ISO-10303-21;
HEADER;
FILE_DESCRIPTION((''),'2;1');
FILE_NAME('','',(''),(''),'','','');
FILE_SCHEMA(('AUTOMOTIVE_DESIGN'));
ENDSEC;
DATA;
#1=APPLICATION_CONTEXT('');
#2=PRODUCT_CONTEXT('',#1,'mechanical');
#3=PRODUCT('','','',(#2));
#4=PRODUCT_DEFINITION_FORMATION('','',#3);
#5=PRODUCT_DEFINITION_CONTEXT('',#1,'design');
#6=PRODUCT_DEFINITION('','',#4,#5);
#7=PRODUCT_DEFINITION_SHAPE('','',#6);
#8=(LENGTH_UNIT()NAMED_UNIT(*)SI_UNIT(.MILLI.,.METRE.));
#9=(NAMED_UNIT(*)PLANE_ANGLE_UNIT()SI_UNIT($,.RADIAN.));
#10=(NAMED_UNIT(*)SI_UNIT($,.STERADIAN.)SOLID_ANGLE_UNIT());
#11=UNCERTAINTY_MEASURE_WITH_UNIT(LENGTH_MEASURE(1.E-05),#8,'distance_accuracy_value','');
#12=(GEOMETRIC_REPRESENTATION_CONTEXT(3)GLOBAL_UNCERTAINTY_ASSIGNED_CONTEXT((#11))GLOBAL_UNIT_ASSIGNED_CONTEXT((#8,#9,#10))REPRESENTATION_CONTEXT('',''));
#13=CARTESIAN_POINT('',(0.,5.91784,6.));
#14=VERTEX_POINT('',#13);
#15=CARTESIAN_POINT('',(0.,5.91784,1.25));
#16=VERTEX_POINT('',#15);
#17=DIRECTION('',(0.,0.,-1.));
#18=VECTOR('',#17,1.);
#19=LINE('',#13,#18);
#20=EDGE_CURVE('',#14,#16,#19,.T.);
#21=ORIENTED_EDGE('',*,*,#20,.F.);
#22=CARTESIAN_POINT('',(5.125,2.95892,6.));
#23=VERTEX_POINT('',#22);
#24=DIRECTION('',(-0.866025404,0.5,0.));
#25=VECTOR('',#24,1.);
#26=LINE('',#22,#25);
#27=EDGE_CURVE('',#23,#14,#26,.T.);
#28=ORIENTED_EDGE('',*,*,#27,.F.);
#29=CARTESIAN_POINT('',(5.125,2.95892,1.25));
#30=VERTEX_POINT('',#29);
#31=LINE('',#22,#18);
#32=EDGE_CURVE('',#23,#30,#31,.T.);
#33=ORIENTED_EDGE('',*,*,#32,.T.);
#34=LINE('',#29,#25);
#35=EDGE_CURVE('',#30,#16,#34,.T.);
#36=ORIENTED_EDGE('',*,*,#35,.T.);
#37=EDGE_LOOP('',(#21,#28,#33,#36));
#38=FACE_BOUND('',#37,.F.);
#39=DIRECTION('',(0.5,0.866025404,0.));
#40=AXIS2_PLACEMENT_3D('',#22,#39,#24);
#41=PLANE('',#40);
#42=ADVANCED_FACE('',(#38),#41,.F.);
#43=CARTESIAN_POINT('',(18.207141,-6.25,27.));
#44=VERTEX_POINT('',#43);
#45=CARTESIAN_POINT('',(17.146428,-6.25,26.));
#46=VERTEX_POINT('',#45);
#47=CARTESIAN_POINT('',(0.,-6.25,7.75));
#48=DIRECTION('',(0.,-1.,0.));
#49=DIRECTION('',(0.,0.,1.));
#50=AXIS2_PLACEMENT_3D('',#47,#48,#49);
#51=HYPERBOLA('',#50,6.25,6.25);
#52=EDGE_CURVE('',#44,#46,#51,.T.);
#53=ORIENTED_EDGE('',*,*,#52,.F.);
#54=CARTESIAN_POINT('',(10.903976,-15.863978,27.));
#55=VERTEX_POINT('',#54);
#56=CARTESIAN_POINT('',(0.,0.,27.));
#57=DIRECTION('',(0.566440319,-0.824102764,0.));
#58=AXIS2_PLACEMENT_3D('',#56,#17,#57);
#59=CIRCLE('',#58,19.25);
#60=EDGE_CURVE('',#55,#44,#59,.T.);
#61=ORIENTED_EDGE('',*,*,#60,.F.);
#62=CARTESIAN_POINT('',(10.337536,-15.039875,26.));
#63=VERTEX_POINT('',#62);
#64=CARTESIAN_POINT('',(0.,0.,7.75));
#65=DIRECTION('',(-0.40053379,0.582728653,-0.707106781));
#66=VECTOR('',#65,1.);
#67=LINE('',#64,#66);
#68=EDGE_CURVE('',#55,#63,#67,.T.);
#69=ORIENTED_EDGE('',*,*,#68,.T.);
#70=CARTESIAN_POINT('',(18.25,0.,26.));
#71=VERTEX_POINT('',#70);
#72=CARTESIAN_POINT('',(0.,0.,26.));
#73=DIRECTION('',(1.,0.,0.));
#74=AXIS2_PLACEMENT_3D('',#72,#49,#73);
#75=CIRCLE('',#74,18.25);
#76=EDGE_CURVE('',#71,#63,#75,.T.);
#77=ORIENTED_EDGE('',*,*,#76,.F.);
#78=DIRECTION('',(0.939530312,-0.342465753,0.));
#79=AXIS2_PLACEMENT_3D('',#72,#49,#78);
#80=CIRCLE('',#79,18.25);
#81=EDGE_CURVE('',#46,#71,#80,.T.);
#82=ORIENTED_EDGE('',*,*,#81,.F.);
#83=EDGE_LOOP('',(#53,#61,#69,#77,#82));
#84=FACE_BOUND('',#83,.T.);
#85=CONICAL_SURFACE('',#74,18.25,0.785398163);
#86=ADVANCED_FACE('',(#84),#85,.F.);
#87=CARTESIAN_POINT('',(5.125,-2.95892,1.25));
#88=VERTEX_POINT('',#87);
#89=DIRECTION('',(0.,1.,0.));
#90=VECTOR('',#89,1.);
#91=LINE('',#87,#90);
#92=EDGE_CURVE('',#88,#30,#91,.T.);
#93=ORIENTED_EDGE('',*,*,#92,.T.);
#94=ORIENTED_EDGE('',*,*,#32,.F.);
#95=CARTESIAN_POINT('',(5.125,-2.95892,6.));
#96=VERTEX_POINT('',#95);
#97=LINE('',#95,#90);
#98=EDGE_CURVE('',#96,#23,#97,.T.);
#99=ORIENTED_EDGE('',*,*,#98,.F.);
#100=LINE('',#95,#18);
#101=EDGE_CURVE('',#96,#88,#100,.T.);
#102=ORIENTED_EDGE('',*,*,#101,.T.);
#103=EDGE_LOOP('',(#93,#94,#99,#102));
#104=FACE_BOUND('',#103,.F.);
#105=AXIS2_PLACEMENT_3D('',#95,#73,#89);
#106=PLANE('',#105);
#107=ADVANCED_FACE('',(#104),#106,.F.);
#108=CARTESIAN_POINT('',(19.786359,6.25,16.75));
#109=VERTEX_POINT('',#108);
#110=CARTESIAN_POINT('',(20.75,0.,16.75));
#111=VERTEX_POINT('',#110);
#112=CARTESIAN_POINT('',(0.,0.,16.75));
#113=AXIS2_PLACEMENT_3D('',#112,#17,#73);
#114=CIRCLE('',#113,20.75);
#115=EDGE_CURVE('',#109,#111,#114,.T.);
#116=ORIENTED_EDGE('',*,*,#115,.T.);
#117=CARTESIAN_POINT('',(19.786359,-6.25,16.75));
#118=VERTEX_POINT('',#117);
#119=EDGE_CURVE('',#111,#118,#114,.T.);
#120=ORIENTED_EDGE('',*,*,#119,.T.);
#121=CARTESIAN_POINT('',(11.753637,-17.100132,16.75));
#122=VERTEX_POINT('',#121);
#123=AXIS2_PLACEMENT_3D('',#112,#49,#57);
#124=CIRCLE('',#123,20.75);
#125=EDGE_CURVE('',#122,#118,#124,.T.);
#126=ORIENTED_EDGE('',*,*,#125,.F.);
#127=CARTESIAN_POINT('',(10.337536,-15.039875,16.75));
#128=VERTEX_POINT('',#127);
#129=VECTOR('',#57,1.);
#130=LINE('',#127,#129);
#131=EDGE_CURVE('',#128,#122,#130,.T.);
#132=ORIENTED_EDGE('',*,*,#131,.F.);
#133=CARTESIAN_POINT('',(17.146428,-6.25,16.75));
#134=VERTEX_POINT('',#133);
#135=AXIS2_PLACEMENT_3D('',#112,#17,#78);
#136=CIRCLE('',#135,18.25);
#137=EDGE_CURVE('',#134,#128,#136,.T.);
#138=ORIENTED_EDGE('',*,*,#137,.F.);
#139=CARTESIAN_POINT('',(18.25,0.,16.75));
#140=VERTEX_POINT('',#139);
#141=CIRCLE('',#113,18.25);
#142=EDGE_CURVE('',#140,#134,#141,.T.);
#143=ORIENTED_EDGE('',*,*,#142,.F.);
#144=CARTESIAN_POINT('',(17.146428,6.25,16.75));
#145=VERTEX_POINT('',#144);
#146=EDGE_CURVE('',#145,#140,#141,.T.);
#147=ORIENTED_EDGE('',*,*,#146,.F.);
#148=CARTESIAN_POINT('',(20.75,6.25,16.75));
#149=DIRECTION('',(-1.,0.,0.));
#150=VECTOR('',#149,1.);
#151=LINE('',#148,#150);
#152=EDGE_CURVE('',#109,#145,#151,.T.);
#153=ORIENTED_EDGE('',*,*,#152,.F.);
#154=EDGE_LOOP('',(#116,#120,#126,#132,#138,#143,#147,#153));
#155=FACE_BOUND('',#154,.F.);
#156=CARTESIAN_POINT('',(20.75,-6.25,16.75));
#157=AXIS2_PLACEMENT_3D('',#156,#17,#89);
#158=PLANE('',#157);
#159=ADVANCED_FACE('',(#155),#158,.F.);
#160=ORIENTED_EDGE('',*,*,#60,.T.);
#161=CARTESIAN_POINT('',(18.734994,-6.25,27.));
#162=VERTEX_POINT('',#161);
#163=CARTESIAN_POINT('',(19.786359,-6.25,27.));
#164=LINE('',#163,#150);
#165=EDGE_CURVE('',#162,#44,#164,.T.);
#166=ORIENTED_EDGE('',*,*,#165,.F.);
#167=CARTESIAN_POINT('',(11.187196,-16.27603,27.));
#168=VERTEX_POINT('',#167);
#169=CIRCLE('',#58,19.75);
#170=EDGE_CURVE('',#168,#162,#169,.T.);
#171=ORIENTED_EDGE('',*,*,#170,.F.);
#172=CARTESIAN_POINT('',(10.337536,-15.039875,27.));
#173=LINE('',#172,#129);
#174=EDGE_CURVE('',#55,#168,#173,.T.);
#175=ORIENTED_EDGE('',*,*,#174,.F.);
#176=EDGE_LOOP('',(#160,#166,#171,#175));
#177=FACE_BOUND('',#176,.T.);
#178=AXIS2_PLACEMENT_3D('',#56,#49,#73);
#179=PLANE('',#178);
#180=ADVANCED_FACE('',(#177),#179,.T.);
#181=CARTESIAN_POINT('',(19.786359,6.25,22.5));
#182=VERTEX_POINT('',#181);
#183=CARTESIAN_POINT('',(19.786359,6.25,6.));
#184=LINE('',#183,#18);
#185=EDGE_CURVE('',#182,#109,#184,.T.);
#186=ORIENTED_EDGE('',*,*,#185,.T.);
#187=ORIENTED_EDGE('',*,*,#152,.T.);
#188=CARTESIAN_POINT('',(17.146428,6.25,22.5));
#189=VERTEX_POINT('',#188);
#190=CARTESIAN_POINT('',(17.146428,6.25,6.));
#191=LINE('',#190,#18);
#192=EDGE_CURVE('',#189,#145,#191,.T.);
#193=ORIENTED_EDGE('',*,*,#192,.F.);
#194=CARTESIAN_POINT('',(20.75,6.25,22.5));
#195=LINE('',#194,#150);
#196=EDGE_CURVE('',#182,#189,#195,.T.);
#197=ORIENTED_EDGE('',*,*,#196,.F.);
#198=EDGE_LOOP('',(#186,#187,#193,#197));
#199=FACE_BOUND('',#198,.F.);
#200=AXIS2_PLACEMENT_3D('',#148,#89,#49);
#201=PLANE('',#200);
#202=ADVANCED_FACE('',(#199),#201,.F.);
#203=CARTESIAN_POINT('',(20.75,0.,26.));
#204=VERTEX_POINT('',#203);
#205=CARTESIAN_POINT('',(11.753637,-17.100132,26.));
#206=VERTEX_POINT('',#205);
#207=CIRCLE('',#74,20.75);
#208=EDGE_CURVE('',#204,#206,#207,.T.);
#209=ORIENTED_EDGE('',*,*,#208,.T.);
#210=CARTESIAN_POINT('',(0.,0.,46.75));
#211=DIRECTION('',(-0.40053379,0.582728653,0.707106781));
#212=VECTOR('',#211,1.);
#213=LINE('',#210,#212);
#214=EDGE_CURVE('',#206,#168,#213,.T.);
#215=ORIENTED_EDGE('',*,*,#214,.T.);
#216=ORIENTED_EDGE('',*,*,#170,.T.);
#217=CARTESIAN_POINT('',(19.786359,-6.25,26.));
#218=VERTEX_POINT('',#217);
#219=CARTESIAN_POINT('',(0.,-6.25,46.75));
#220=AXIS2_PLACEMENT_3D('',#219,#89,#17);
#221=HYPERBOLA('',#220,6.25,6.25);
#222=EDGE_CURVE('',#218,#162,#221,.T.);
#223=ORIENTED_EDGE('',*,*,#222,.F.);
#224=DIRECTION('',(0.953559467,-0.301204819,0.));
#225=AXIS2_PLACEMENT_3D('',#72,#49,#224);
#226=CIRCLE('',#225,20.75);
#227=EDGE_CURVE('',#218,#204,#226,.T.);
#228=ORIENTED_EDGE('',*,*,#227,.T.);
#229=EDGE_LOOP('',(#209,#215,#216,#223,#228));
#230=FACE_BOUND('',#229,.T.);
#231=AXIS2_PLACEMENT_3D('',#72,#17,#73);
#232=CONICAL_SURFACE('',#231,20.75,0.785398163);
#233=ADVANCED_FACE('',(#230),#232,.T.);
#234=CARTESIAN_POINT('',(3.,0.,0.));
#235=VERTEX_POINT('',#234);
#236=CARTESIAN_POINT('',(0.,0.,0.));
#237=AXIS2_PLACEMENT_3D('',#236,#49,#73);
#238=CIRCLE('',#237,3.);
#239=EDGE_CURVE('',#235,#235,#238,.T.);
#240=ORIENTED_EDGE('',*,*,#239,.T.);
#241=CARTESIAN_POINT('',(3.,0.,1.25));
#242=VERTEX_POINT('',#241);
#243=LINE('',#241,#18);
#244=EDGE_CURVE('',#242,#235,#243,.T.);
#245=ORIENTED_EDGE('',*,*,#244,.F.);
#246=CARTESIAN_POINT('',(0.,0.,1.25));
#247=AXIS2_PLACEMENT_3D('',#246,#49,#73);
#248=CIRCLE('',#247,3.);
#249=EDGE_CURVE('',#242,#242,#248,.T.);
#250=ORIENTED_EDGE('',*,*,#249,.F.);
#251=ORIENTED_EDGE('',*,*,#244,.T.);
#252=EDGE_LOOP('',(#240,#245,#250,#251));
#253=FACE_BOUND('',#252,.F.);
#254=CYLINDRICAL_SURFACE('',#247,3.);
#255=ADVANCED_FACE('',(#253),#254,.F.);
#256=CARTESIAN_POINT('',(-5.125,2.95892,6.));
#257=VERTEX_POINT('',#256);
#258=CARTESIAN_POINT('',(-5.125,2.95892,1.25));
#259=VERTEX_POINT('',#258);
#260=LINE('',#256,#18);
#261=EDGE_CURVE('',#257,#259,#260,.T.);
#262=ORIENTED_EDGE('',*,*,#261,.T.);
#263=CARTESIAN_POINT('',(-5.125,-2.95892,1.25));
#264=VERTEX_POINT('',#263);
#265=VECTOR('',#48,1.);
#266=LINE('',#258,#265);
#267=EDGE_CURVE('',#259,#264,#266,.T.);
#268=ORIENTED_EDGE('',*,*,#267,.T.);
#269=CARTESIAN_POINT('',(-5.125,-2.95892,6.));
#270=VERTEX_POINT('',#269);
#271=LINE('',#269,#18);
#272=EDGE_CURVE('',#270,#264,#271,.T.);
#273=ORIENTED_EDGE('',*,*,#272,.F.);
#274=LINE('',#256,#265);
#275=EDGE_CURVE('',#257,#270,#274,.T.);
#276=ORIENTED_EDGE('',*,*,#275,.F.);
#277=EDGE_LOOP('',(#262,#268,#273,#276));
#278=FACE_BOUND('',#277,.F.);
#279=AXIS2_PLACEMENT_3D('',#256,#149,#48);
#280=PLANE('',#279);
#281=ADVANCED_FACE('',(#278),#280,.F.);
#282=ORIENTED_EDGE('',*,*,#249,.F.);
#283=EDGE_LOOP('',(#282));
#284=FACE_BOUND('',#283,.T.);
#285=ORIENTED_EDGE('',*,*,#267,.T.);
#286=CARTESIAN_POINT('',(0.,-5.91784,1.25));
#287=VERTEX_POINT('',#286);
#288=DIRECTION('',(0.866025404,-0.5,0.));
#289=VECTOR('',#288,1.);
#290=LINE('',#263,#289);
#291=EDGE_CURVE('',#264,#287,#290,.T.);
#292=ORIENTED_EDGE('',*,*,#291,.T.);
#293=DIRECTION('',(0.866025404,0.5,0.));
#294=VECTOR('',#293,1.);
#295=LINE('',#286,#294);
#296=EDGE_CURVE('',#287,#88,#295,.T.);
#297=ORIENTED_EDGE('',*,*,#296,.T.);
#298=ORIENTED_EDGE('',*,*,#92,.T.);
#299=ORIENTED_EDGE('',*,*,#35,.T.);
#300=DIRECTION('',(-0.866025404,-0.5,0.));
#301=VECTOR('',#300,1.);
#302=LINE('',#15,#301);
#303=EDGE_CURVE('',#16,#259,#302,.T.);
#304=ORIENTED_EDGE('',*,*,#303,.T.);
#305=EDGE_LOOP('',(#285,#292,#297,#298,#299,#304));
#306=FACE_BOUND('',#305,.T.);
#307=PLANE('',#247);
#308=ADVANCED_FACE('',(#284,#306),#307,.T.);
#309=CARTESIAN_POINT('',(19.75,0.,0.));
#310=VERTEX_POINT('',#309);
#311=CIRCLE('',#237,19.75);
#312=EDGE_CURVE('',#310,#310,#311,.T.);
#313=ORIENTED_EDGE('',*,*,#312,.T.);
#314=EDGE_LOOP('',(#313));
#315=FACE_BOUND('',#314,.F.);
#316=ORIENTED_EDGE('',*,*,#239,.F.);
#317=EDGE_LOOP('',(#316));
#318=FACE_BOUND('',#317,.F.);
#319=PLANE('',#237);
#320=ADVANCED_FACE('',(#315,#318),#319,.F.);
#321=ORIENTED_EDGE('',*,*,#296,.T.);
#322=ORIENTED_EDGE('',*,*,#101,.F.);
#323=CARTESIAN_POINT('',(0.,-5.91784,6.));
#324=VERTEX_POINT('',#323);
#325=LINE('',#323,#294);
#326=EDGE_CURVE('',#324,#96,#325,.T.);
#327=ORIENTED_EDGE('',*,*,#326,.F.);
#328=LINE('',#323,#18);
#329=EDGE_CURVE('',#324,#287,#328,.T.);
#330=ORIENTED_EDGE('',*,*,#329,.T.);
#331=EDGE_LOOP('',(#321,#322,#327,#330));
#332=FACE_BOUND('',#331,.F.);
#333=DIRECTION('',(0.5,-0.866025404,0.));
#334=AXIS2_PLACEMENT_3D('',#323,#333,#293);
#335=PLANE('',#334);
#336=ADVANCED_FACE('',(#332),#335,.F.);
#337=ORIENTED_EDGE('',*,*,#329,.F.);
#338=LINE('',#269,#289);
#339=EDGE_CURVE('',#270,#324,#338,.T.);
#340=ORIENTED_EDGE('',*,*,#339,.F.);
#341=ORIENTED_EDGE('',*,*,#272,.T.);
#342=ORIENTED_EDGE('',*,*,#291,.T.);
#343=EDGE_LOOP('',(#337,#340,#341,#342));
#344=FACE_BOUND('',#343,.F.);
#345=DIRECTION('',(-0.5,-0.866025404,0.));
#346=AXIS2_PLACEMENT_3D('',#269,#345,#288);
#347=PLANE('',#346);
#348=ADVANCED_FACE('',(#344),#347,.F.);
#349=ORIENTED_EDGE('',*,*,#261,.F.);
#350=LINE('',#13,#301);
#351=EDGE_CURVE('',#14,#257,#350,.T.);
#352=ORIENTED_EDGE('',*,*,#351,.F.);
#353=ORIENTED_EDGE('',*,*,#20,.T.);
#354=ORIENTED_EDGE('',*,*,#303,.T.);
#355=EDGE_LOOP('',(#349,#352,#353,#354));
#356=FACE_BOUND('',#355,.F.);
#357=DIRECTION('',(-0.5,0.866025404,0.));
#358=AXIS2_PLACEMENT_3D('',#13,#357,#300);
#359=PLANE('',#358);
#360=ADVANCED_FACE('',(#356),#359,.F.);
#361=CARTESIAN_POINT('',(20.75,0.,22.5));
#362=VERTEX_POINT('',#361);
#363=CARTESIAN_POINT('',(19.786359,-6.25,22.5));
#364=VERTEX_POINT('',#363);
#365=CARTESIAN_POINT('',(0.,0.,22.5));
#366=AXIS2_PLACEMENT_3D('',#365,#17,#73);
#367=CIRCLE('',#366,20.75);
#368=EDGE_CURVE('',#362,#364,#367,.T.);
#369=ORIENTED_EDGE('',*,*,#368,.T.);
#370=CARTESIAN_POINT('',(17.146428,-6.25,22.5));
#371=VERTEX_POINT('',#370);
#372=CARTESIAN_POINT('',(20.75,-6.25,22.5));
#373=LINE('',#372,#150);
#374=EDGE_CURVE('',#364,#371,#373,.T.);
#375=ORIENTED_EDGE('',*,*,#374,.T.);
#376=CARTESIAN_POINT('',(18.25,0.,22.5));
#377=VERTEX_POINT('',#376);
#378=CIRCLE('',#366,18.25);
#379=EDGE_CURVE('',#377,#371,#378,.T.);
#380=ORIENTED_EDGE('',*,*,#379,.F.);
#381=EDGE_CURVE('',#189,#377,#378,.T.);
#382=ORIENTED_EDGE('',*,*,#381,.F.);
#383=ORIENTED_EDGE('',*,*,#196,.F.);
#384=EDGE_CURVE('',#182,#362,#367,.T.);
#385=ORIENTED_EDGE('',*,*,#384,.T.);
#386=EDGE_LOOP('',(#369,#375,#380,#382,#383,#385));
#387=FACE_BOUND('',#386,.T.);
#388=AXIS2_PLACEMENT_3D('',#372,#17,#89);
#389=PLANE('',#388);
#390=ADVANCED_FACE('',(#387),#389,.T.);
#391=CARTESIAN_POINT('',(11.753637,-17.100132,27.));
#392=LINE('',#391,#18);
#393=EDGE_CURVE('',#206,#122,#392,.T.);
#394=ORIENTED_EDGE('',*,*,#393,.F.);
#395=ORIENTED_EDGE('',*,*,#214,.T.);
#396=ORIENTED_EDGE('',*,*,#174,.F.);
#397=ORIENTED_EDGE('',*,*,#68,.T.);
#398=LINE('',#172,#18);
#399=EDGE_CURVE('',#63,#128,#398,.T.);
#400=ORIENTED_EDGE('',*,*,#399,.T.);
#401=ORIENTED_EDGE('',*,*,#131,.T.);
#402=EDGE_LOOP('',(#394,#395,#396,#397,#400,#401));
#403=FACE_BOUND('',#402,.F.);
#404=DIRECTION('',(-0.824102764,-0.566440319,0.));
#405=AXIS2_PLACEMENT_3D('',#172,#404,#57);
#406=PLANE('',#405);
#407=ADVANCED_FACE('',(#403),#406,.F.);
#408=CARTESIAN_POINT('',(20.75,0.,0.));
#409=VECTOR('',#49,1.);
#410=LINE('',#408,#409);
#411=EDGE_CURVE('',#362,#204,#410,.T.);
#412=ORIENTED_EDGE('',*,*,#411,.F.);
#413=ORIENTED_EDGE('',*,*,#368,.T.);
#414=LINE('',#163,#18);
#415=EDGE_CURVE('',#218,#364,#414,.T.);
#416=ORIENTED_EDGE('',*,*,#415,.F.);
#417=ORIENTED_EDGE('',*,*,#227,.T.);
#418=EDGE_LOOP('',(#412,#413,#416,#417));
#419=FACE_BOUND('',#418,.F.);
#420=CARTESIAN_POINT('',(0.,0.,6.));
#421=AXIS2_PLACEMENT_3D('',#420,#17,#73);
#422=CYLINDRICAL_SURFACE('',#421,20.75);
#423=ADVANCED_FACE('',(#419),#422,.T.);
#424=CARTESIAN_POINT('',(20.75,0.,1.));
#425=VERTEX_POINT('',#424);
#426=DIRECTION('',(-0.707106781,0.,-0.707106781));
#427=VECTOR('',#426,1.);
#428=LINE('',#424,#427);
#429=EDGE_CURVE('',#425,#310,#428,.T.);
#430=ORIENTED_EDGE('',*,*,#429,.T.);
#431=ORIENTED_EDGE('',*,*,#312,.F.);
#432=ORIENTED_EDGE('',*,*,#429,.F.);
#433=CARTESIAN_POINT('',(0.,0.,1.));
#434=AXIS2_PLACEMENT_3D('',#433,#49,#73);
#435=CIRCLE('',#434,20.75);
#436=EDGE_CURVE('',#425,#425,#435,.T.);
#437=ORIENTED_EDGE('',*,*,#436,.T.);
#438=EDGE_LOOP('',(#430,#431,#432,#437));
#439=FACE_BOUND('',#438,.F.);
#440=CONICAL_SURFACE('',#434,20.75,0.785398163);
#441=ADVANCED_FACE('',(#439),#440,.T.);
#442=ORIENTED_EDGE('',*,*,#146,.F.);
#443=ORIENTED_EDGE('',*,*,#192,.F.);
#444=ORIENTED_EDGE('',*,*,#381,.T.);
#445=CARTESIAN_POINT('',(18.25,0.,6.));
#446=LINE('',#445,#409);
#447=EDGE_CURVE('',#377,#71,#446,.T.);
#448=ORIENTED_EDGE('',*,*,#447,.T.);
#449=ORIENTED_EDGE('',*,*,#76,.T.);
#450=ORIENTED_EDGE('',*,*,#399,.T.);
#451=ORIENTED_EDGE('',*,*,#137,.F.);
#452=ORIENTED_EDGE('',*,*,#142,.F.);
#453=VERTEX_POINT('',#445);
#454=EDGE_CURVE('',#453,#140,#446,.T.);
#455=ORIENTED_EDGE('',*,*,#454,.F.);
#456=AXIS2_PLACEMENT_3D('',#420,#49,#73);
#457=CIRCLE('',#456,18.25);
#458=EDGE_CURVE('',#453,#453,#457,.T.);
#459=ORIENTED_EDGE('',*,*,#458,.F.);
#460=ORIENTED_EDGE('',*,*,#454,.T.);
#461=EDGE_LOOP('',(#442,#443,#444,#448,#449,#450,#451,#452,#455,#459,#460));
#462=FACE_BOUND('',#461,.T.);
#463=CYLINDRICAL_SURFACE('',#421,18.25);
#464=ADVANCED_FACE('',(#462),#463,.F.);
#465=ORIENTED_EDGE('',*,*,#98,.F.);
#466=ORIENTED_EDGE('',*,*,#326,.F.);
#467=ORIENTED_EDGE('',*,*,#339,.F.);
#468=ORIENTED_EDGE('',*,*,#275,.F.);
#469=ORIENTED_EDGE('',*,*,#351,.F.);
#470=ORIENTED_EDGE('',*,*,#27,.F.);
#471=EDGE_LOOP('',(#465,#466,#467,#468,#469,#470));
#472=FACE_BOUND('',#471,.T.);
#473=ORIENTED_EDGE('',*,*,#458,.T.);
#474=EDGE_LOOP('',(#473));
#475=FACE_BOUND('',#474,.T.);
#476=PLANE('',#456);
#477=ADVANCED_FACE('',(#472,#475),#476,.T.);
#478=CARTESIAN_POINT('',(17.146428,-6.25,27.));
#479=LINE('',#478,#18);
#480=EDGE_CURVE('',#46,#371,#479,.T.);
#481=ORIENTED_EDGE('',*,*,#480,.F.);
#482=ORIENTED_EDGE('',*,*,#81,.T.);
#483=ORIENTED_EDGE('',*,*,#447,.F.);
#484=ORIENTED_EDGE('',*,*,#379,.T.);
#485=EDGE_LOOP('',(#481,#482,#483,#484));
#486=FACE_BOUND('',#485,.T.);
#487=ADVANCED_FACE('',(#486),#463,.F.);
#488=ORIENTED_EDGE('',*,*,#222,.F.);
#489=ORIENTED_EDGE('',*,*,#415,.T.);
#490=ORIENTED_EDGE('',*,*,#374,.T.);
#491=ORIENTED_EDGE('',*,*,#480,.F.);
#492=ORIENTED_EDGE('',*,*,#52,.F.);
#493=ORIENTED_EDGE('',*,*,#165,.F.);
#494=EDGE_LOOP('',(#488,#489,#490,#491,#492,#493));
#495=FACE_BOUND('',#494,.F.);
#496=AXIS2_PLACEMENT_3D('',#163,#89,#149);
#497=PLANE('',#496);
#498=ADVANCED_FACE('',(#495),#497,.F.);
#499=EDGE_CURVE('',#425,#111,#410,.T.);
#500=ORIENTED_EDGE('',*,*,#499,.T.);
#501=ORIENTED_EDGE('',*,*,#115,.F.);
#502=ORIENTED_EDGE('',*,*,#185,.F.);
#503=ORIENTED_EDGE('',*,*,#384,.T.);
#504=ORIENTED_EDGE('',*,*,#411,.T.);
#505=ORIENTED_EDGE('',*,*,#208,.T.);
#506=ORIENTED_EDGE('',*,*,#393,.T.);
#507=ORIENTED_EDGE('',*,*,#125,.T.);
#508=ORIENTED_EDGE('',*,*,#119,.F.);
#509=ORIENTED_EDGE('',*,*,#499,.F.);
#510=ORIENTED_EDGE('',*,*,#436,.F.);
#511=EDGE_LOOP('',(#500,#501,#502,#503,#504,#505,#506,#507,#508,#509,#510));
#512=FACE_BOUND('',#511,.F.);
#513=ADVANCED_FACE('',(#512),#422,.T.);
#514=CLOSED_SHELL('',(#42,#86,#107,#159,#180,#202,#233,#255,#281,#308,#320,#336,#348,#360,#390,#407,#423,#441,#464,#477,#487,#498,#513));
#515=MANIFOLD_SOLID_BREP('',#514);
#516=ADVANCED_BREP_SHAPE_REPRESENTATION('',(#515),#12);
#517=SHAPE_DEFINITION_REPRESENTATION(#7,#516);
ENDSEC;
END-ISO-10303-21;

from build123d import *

# Parameters (mm, degrees)
F0_R      = 20.75
F1_DEPTH  = 6
F3_DEPTH  = 4.75
F4_R      = 3
F5_DEPTH  = 1.25
F6_R      = 20.75
F6_R_2    = 18.25
F7_DEPTH  = 21
F9_W      = 12.5
F9_H      = 5.75
F10_DEPTH = 4.6035718005
F12_DEPTH = 10.25
F13_SIZE  = 1


with BuildPart() as f1:
    # F0 (on Top) → F1 (new body)
    with BuildSketch(Plane.XY):
        Circle(F0_R)
    extrude(amount=F1_DEPTH)

    # F2 (on face) → F3 (cut)
    with BuildSketch(Plane.XY.offset(6)):
        Polygon((5.125, -2.9589201296), (5.125, 2.9589201296), (0, 5.9178402592), (-5.125, 2.9589201296), (-5.125, -2.9589201296), (0, -5.9178402592), align=None)
    extrude(amount=-F3_DEPTH, mode=Mode.SUBTRACT)

    # F4 (on face) → F5 (cut, through all)
    with BuildSketch(Plane.XY.offset(1.25)):
        Circle(F4_R)
    extrude(amount=-F5_DEPTH, mode=Mode.SUBTRACT)

    # F6 (on face) → F7 (join)
    with BuildSketch(Plane.XY.offset(6)):
        Circle(F6_R)
        Circle(F6_R_2, mode=Mode.SUBTRACT)
    extrude(amount=F7_DEPTH)

    # F9 (on offset) → F10 (cut, up to face)
    with BuildSketch(Plane.YZ.offset(20.75)):
        with Locations((0, 19.625)):
            Rectangle(F9_W, F9_H)
    extrude(amount=-F10_DEPTH, mode=Mode.SUBTRACT)

    # F11 (on face) → F12 (cut, through all)
    with BuildSketch(Plane.XY.offset(27)):
        with BuildLine():
            Line((10.3375358146, -15.039875441), (11.7536366111, -17.1001323508))
            ThreePointArc((11.7536366111, -17.1001323508), (16.6770552799, -12.3465917237), (19.7863589374, -6.25))
            Line((19.7863589374, -6.25), (17.1464281995, -6.25))
            ThreePointArc((17.1464281995, -6.25), (14.4276660292, -11.1760884459), (10.3375358146, -15.039875441))
        make_face()
    extrude(amount=-F12_DEPTH, mode=Mode.SUBTRACT)

    # F13
    f13_edges = [f1.edges().sort_by_distance(p)[0] for p in [
        (-18.363693, 9.661122, 27),
        (-16.1512, 8.497131, 27),
        (-20.75, 0, 0),
    ]]
    chamfer(f13_edges, length=F13_SIZE)


solid = f1.part
